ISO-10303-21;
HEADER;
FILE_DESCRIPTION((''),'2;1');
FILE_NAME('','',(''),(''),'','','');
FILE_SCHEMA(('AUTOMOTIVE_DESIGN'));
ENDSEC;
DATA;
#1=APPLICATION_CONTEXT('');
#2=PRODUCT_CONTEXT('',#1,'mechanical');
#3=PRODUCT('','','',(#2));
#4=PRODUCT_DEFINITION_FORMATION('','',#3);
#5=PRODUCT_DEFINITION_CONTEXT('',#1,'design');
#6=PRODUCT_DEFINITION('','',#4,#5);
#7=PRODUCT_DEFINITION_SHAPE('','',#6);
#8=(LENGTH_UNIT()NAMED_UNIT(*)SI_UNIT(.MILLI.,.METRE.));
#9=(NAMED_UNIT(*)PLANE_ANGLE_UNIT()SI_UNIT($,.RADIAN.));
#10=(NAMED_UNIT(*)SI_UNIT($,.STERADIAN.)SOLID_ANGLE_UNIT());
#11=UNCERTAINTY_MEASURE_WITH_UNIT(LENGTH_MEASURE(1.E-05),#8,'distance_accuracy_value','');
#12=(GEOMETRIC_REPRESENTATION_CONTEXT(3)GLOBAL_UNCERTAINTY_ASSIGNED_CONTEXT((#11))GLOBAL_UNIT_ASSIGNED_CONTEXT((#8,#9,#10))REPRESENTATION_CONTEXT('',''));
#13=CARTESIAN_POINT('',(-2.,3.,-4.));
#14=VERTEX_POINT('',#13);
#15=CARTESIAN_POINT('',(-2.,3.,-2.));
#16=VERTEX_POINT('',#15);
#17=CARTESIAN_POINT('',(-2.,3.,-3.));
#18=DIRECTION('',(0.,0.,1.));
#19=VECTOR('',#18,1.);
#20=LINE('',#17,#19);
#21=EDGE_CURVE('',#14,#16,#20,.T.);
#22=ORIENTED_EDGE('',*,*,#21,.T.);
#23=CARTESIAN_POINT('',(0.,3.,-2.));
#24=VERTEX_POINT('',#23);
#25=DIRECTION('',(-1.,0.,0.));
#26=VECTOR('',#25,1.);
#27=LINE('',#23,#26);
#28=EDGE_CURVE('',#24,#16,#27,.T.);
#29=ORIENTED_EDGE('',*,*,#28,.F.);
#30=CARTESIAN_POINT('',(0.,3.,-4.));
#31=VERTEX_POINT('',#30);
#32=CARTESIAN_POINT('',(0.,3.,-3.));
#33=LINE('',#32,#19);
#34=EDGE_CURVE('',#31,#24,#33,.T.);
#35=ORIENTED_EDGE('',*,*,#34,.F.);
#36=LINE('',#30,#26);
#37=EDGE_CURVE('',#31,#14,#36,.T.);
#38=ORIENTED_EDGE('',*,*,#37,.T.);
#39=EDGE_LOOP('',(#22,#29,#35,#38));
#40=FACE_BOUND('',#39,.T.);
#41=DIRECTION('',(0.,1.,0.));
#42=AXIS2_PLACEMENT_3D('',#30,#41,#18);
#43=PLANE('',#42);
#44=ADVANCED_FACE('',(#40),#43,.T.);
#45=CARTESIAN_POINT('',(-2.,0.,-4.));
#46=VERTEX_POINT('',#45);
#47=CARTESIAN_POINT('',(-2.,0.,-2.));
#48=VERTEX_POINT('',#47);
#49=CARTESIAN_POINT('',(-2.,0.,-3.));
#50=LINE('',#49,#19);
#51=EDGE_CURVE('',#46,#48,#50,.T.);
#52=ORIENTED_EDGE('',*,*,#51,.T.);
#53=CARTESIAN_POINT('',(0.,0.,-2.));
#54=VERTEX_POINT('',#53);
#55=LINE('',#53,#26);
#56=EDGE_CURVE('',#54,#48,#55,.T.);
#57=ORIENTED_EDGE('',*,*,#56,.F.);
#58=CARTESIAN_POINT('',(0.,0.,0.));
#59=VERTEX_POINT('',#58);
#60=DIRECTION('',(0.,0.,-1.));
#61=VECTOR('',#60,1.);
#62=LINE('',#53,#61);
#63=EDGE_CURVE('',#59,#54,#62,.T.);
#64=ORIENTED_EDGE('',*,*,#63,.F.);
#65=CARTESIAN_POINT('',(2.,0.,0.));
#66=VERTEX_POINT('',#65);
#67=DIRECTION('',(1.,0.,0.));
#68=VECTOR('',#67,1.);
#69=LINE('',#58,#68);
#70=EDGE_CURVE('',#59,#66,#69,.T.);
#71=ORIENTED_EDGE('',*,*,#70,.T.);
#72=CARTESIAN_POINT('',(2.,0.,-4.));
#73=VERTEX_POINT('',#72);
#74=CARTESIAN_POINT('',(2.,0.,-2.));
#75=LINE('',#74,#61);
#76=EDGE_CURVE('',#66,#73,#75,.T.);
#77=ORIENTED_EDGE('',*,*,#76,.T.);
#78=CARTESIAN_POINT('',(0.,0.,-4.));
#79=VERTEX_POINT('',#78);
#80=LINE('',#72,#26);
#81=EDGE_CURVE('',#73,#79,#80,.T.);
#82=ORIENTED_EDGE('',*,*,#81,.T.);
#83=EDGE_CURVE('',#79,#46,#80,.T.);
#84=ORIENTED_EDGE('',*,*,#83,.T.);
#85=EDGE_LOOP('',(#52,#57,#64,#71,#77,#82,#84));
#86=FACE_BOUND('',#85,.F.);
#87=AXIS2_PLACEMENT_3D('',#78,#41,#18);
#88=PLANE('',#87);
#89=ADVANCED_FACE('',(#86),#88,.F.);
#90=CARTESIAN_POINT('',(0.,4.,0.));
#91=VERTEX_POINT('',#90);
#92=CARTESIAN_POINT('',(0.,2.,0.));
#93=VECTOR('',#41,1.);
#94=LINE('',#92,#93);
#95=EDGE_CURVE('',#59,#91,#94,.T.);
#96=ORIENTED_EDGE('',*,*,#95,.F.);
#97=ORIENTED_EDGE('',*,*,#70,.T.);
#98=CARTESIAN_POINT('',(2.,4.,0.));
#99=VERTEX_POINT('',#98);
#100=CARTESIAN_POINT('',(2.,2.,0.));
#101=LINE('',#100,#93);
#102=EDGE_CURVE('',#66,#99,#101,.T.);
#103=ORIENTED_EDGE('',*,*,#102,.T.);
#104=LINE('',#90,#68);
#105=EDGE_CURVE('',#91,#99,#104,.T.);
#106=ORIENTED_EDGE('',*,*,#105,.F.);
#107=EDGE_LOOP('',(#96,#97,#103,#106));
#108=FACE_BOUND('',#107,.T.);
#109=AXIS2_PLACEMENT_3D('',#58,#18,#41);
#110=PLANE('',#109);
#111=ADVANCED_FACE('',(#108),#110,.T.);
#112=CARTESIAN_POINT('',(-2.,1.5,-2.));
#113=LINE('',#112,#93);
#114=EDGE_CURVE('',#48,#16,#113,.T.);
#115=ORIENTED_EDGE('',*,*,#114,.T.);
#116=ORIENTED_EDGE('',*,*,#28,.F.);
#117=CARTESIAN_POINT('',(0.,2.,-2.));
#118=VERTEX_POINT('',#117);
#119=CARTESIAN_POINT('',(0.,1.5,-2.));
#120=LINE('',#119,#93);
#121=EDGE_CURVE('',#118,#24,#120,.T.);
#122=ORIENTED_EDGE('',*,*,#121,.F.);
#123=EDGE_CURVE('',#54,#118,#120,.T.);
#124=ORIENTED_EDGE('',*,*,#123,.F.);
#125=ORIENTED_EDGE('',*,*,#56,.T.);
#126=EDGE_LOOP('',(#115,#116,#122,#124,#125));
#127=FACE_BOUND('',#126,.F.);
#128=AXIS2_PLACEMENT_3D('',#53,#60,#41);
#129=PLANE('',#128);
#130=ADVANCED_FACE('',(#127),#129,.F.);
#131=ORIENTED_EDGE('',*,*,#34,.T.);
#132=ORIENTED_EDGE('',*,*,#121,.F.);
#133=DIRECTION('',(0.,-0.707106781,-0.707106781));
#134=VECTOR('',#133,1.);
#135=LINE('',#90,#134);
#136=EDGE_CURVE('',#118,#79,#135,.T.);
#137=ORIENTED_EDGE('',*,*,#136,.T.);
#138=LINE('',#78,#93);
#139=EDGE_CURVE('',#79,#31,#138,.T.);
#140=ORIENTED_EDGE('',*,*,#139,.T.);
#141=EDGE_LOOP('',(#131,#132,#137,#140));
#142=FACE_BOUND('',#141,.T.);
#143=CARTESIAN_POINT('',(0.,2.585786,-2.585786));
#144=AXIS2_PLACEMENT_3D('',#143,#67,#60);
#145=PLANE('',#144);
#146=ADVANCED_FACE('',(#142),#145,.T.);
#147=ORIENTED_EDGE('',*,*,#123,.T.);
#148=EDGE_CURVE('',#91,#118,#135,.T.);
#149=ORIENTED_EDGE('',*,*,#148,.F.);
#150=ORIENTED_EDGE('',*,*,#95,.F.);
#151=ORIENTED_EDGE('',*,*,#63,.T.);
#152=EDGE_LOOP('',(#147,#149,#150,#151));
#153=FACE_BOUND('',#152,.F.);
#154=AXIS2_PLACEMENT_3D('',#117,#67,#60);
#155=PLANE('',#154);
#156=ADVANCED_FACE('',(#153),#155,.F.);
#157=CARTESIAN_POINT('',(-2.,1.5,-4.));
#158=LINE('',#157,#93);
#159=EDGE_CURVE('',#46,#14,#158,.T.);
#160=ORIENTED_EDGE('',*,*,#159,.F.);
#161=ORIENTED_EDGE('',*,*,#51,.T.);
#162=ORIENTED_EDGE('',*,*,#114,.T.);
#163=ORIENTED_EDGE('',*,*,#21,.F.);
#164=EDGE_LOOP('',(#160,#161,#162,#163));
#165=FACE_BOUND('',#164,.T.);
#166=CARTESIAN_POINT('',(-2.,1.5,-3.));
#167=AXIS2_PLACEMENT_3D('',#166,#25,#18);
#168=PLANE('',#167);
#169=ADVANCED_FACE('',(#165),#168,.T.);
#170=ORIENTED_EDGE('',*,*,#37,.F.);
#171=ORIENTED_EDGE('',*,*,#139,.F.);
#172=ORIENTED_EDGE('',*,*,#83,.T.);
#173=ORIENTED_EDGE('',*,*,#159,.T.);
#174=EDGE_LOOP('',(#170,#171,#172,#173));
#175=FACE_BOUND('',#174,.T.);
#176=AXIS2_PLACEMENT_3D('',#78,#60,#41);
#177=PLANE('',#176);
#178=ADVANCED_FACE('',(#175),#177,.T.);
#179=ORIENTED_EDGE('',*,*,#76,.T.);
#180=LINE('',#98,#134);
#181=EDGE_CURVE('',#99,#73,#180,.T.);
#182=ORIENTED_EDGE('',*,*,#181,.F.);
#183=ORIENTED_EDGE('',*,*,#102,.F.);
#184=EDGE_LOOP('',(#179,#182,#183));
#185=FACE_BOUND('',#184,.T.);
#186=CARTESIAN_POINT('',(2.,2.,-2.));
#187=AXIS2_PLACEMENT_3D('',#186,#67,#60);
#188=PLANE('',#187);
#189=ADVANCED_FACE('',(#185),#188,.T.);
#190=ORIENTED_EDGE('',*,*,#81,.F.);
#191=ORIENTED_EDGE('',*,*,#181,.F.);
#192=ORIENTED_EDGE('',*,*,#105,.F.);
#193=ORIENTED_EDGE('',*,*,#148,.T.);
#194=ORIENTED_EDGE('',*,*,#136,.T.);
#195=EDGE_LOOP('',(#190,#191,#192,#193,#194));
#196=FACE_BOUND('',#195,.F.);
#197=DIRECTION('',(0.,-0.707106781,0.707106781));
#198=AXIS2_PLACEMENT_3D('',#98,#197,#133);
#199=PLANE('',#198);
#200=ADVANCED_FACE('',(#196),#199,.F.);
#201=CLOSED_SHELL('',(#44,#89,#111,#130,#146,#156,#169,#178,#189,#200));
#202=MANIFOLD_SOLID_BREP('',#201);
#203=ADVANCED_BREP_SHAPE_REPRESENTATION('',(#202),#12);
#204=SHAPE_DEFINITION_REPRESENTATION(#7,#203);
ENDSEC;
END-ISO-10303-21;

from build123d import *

# Parameters (mm, degrees)
SKETCH1_W           = 4
SKETCH1_H           = 4
BOSS_EXTRUDE1_DEPTH = 2
SKETCH2_W           = 2
SKETCH2_H           = 3
BOSS_EXTRUDE2_DEPTH = 2
CUT_EXTRUDE2_DEPTH  = 2


with BuildPart() as part:
    # Sketch1 → Boss-Extrude1 (new body)
    with BuildSketch(Plane(origin=(0, 0, 0), x_dir=(0, 0, -1), z_dir=(1, 0, 0))):
        with Locations((2, 2)):
            Rectangle(SKETCH1_W, SKETCH1_H)
    extrude(amount=BOSS_EXTRUDE1_DEPTH)

    # Sketch2 → Boss-Extrude2 (add)
    with BuildSketch(Plane.ZY):
        with Locations((-3, 1.5)):
            Rectangle(SKETCH2_W, SKETCH2_H)
    extrude(amount=BOSS_EXTRUDE2_DEPTH)

    # Sketch3 → Cut-Extrude2 (cut)
    with BuildSketch(Plane(origin=(2, 0, 0), x_dir=(0, 0, -1), z_dir=(1, 0, 0))):
        Polygon((0, 4), (4, 0), (4, 4), align=None)
    extrude(amount=-CUT_EXTRUDE2_DEPTH, mode=Mode.SUBTRACT)


solid = part.part
